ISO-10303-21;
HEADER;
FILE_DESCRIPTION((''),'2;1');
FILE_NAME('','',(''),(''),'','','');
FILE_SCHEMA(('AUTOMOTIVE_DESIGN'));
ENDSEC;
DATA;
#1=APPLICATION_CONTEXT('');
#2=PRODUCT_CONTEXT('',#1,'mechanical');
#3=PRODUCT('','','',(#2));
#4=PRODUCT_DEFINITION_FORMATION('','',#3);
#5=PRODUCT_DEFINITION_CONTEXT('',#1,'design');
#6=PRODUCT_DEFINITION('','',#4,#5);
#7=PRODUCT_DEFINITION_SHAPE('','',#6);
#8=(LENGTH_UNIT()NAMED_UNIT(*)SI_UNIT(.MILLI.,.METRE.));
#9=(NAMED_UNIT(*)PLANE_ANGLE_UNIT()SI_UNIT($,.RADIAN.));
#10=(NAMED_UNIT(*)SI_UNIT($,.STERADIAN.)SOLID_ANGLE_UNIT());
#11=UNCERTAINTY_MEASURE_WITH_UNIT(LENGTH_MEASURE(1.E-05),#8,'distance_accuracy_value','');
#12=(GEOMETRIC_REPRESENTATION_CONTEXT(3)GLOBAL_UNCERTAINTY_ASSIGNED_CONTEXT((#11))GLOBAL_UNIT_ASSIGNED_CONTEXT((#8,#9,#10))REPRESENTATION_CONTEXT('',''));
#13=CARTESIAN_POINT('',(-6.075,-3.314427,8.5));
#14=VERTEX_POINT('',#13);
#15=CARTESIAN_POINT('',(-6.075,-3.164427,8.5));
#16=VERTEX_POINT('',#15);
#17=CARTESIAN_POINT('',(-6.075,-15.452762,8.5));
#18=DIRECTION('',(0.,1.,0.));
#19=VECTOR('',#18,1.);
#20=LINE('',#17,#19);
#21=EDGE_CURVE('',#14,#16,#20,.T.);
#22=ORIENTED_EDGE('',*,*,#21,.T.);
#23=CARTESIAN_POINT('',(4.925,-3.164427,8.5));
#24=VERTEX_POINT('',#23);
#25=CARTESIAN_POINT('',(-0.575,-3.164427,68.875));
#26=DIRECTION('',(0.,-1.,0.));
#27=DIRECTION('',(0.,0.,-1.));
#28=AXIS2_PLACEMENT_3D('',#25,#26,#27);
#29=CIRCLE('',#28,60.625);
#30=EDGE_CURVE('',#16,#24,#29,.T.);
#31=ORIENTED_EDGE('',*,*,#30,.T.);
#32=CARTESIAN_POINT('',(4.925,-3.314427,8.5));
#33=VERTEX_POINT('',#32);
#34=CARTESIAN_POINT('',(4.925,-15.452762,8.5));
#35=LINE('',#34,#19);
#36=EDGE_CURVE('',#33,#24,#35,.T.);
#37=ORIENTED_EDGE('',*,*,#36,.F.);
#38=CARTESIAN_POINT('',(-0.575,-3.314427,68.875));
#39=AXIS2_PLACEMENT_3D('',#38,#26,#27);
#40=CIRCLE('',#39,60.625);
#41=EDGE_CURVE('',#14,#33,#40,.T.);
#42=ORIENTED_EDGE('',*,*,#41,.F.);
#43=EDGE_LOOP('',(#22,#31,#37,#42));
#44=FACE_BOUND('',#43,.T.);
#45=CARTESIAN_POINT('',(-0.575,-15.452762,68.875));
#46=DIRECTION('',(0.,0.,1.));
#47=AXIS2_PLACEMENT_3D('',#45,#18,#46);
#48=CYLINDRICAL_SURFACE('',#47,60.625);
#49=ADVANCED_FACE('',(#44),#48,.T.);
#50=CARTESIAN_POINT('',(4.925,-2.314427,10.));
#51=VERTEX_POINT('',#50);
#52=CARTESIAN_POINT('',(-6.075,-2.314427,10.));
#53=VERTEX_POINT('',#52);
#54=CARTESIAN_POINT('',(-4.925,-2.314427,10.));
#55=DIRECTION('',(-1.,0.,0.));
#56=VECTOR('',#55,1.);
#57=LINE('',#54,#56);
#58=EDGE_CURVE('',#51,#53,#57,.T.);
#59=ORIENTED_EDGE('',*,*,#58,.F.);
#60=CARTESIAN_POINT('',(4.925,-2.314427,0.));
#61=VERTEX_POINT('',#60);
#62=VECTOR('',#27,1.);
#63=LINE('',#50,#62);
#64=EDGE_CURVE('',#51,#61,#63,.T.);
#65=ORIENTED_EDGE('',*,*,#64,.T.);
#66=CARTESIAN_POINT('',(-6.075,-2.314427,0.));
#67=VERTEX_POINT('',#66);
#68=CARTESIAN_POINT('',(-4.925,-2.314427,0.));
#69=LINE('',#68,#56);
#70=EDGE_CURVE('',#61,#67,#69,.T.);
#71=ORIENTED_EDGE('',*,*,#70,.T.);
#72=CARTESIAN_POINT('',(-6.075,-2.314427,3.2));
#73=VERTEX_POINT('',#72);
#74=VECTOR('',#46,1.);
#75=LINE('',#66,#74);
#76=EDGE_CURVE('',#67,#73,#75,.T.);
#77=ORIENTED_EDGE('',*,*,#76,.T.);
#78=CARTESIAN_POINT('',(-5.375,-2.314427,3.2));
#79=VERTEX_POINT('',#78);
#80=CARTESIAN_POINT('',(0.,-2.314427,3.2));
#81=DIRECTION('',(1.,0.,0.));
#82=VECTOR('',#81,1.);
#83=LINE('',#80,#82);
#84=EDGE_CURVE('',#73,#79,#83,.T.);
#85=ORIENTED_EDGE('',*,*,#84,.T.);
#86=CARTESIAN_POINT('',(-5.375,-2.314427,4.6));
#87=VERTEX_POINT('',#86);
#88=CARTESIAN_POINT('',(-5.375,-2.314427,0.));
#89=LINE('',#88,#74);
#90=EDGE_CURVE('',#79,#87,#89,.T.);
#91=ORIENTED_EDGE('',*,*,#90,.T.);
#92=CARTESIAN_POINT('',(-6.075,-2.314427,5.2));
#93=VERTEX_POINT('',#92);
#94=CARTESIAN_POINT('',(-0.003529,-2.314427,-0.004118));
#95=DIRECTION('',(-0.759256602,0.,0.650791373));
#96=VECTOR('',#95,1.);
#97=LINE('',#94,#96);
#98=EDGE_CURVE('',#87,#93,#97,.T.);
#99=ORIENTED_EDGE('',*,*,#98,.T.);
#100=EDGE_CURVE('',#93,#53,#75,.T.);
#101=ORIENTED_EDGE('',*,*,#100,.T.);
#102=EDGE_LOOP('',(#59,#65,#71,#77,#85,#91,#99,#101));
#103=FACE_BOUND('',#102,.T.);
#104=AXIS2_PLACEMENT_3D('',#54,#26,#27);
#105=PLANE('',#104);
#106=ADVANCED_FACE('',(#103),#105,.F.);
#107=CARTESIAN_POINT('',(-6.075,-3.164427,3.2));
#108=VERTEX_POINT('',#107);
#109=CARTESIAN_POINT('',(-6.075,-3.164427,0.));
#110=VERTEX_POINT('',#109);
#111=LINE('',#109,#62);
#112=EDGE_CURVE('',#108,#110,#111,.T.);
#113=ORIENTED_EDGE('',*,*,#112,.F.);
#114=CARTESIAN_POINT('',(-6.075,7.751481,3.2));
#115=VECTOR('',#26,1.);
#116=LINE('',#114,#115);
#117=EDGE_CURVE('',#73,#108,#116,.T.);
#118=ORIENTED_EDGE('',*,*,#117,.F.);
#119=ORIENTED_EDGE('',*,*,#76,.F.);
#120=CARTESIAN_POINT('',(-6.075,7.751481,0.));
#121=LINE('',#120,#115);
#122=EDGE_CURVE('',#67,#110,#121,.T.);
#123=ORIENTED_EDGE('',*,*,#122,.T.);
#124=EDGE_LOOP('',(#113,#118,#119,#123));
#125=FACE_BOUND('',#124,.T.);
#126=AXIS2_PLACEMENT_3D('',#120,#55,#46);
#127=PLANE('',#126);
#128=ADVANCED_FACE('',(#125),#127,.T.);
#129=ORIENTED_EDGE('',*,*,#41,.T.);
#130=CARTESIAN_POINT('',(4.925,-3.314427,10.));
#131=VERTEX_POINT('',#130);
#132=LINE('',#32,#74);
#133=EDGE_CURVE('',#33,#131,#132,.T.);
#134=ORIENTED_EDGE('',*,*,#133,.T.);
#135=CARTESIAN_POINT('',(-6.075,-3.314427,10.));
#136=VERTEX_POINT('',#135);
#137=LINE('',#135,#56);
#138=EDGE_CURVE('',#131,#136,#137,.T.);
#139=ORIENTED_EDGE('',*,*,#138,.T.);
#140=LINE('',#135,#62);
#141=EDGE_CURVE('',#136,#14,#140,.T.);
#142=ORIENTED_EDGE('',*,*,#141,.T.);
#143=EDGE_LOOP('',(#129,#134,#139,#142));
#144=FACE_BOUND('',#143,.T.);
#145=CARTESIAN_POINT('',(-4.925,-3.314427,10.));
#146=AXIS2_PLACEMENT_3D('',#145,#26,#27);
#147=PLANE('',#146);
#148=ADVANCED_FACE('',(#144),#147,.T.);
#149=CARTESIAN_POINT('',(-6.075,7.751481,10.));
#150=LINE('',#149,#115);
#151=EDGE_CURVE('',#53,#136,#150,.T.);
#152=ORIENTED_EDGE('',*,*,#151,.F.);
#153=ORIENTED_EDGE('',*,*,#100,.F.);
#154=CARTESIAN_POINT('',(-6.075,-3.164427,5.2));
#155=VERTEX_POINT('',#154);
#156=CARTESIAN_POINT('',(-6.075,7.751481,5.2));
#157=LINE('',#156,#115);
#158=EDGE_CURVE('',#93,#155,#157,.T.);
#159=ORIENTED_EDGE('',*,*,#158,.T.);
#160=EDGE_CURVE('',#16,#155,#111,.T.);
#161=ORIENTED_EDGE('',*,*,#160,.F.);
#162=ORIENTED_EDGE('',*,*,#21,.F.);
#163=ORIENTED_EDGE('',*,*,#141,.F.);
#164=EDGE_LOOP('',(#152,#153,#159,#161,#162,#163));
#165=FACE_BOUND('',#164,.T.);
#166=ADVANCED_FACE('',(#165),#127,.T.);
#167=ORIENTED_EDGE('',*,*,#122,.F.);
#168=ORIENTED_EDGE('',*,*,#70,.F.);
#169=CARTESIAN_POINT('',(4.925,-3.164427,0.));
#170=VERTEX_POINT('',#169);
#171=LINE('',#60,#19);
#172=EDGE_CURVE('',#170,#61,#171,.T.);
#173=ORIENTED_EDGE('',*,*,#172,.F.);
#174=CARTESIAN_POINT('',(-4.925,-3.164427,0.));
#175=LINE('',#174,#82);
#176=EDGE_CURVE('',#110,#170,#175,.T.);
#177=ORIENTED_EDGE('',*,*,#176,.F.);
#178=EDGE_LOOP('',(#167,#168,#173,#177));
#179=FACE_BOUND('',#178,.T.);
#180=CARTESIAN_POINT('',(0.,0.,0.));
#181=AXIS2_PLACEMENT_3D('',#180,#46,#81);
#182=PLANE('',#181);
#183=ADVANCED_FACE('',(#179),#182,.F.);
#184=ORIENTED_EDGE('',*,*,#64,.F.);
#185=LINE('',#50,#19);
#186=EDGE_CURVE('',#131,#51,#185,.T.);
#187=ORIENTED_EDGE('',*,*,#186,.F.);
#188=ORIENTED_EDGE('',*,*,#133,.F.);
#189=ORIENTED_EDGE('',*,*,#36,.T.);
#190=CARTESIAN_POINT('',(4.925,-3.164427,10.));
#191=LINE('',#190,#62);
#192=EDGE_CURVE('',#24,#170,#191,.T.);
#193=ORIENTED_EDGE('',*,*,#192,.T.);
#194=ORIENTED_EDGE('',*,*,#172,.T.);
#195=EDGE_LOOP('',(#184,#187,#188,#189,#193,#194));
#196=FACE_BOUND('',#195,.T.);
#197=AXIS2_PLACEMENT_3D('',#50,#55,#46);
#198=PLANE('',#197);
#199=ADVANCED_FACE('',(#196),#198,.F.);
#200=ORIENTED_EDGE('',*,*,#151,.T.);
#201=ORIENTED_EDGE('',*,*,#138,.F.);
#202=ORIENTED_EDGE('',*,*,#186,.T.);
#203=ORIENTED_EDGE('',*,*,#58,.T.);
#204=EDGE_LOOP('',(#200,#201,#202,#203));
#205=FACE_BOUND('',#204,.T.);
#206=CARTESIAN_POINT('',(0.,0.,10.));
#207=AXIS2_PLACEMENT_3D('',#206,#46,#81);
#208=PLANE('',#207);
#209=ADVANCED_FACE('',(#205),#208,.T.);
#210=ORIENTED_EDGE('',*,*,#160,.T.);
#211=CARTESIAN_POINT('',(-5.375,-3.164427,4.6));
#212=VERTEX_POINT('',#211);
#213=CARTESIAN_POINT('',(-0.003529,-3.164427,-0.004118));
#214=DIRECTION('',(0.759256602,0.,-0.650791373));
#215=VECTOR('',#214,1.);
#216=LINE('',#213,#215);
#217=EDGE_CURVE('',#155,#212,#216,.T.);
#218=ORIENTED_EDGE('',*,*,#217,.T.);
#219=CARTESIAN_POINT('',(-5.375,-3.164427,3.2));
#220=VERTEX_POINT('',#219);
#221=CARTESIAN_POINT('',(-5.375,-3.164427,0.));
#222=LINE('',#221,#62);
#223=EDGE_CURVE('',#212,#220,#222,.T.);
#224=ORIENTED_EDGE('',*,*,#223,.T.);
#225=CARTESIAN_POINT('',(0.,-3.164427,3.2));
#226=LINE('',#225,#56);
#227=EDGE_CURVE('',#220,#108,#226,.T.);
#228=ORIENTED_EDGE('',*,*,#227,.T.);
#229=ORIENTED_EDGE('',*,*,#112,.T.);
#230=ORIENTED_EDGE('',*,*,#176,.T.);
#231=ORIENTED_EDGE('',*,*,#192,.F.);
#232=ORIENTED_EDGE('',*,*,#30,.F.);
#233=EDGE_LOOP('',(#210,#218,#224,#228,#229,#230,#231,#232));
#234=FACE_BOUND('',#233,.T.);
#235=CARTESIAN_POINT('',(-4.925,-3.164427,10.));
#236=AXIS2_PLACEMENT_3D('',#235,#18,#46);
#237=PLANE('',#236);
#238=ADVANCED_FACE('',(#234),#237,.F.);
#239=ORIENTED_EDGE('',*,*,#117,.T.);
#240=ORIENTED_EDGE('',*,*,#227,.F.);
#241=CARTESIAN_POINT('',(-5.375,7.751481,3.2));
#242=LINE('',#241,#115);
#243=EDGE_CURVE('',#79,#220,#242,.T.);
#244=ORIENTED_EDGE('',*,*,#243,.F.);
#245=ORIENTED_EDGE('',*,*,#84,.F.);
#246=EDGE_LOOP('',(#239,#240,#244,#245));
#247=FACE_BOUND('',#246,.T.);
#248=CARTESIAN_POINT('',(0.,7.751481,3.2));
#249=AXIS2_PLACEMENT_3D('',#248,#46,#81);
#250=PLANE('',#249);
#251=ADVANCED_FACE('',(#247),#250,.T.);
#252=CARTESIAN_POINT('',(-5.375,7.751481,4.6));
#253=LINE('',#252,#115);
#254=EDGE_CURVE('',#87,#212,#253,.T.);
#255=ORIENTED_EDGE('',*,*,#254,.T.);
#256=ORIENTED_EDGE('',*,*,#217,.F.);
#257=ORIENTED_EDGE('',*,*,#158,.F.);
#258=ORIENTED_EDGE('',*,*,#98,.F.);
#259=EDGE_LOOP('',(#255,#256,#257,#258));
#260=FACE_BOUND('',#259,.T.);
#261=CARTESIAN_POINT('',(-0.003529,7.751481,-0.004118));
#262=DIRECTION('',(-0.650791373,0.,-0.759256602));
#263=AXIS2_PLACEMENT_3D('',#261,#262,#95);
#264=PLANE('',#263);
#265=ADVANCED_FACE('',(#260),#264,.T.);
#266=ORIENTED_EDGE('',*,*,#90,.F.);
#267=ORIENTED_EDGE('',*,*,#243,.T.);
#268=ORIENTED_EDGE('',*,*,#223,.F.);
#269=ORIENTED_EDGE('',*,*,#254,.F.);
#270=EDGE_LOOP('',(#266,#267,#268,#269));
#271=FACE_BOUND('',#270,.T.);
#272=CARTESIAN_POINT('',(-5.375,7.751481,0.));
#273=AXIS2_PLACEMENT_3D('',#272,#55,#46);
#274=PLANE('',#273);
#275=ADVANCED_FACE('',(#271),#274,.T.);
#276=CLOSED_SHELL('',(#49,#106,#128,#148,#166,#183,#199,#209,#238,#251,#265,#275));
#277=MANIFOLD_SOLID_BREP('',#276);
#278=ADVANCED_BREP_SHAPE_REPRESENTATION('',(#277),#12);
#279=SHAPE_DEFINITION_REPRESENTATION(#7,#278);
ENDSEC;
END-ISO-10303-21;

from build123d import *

# Parameters (mm, degrees)
SKETCH1_W           = 9.849999945
SKETCH1_H           = 0.849999995
BOSS_EXTRUDE1_DEPTH = 10
BOSS_EXTRUDE2_DEPTH = 0.849999995
BOSS_EXTRUDE3_DEPTH = 0.150000005


with BuildPart() as part:
    # Sketch1 → Boss-Extrude1 (new body)
    with BuildSketch(Plane.XY):
        with Locations((2.94e-07, -2.739426966)):
            Rectangle(SKETCH1_W, SKETCH1_H)
    extrude(amount=BOSS_EXTRUDE1_DEPTH)

    # Sketch3 → Boss-Extrude2 (add)
    with BuildSketch(Plane.XZ.offset(3.164426964)):
        Polygon((-4.924999678, 0), (-4.924999678, 10), (-6.074999733, 10), (-6.074999733, 5.2), (-5.374999733, 4.6), (-5.374999733, 3.2), (-6.074999733, 3.2), (-6.074999733, 0), align=None)
    extrude(amount=-BOSS_EXTRUDE2_DEPTH)

    # Sketch4 → Boss-Extrude3 (add)
    with BuildSketch(Plane.XZ.offset(3.164426964)):
        with BuildLine():
            Line((-6.074999733, 10), (4.925000267, 10))
            Line((4.925000267, 10), (4.925000267, 8.5))
            ThreePointArc((4.925000267, 8.5), (-0.574999733, 8.25), (-6.074999733, 8.5))
            Line((-6.074999733, 8.5), (-6.074999733, 10))
        make_face()
    extrude(amount=BOSS_EXTRUDE3_DEPTH)


solid = part.part
